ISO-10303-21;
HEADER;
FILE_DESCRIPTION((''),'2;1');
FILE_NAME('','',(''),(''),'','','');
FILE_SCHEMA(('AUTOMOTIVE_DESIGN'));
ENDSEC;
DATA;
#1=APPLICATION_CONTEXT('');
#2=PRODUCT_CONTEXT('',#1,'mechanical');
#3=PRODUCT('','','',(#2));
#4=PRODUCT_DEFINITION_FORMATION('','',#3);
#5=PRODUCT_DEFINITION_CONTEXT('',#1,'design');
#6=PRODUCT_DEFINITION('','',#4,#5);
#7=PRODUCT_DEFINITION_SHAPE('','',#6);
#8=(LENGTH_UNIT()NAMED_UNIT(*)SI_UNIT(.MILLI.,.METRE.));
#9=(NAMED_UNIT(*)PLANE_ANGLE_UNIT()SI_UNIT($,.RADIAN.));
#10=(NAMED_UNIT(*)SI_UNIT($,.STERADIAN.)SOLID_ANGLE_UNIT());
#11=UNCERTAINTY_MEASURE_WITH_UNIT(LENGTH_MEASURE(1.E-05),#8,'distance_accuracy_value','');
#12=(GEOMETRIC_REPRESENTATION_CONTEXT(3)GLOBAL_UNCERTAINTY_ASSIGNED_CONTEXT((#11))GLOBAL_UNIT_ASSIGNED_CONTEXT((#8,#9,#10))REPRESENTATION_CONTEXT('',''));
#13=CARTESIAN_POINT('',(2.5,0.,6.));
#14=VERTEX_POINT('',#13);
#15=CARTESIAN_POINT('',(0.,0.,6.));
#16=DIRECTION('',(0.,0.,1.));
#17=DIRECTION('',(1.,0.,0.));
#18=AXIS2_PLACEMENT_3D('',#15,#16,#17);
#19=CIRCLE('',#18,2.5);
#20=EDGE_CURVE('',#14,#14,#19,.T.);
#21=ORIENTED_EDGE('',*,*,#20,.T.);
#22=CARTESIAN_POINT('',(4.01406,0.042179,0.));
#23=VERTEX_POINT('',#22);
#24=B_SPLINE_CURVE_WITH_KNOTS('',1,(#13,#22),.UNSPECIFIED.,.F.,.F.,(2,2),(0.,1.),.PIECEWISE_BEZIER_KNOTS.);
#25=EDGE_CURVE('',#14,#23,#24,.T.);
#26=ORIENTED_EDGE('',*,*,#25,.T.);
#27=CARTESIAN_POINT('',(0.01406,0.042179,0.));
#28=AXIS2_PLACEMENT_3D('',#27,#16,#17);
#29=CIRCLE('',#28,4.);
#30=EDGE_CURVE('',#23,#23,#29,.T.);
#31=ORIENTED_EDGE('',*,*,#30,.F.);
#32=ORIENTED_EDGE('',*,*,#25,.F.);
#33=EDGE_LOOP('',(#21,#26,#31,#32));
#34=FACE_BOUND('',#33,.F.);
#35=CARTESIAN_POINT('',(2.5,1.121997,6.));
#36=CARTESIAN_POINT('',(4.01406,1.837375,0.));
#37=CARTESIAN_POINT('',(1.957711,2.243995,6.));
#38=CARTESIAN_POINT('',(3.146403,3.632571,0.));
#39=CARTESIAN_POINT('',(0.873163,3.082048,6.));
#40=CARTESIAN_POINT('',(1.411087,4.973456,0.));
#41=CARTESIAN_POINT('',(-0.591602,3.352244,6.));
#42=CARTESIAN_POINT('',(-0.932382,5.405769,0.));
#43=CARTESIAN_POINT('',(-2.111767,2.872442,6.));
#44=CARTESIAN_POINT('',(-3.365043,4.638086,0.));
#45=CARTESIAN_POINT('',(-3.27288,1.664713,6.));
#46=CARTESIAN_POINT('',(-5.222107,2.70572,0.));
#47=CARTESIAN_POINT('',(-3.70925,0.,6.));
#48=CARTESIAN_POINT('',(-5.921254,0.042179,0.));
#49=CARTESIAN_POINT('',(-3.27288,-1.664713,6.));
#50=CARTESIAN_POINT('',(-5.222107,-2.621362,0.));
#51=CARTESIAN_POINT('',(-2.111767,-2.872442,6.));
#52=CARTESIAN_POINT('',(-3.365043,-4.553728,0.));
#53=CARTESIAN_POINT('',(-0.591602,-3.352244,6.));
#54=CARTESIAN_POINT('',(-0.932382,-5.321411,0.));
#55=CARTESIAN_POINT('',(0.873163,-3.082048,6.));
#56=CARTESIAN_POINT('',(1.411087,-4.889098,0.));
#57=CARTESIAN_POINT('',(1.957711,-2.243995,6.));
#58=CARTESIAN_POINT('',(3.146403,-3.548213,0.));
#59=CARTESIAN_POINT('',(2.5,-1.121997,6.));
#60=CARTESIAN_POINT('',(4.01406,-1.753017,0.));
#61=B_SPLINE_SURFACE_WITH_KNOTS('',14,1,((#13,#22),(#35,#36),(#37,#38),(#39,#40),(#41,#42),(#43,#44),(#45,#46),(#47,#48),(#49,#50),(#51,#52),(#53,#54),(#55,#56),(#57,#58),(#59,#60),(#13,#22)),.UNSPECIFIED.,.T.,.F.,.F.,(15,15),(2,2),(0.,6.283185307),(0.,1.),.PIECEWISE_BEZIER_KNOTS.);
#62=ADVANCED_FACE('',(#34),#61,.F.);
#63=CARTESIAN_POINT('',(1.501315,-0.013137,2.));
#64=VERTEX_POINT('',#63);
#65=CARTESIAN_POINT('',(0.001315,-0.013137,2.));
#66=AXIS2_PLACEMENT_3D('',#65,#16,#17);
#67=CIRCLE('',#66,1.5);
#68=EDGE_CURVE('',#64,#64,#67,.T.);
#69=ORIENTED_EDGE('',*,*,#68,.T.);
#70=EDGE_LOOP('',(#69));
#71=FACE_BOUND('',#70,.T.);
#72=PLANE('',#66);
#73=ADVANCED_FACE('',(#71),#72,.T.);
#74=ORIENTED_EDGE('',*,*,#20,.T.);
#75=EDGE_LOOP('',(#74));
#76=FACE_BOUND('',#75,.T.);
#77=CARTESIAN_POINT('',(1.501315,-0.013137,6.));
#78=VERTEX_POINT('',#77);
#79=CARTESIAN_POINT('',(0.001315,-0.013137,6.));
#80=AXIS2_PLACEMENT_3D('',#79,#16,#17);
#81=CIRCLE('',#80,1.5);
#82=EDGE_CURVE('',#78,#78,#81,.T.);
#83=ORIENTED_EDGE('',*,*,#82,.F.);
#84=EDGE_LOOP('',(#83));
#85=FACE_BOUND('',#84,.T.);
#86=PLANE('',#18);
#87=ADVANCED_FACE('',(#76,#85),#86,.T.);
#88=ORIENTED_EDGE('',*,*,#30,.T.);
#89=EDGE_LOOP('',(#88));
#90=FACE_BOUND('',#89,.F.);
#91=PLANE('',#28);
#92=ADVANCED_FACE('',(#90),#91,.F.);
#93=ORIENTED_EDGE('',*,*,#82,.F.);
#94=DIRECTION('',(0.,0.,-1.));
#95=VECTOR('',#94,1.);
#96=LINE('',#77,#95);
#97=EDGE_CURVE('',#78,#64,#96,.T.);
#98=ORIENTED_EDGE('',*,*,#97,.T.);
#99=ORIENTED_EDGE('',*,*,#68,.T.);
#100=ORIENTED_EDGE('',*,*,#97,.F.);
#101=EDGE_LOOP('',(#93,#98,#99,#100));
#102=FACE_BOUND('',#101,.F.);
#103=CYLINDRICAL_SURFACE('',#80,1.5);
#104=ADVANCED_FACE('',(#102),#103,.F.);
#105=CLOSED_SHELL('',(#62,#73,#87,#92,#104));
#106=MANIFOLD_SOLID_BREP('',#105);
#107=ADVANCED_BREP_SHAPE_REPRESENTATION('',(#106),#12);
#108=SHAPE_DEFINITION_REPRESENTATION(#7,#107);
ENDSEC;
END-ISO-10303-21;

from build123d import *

# Parameters (mm, degrees)
F0_R     = 2.5
F0_R_2   = 1.5
F1_DEPTH = 6
F2_R     = 2.5
F3_R     = 4
F5_R     = 1.5
F6_DEPTH = 4


with BuildPart() as f1:
    # F0 (on Top) → F1 (new body)
    with BuildSketch(Plane.XY):
        Circle(F0_R)
        Circle(F0_R_2, mode=Mode.SUBTRACT)
    extrude(amount=F1_DEPTH)

    # F2 (on face) → F4 section 0
    with BuildSketch(Plane.XY.offset(6)):
        Circle(F2_R)
    # F3 (on face) → F4 section 1
    with BuildSketch(Plane.XY):
        with Locations((0.01406, 0.042179)):
            Circle(F3_R)
    loft()

    # F5 (on face) → F6 (cut)
    with BuildSketch(Plane.XY.offset(6)):
        with Locations((0.001315, -0.013137)):
            Circle(F5_R)
    extrude(amount=-F6_DEPTH, mode=Mode.SUBTRACT)


solid = f1.part
